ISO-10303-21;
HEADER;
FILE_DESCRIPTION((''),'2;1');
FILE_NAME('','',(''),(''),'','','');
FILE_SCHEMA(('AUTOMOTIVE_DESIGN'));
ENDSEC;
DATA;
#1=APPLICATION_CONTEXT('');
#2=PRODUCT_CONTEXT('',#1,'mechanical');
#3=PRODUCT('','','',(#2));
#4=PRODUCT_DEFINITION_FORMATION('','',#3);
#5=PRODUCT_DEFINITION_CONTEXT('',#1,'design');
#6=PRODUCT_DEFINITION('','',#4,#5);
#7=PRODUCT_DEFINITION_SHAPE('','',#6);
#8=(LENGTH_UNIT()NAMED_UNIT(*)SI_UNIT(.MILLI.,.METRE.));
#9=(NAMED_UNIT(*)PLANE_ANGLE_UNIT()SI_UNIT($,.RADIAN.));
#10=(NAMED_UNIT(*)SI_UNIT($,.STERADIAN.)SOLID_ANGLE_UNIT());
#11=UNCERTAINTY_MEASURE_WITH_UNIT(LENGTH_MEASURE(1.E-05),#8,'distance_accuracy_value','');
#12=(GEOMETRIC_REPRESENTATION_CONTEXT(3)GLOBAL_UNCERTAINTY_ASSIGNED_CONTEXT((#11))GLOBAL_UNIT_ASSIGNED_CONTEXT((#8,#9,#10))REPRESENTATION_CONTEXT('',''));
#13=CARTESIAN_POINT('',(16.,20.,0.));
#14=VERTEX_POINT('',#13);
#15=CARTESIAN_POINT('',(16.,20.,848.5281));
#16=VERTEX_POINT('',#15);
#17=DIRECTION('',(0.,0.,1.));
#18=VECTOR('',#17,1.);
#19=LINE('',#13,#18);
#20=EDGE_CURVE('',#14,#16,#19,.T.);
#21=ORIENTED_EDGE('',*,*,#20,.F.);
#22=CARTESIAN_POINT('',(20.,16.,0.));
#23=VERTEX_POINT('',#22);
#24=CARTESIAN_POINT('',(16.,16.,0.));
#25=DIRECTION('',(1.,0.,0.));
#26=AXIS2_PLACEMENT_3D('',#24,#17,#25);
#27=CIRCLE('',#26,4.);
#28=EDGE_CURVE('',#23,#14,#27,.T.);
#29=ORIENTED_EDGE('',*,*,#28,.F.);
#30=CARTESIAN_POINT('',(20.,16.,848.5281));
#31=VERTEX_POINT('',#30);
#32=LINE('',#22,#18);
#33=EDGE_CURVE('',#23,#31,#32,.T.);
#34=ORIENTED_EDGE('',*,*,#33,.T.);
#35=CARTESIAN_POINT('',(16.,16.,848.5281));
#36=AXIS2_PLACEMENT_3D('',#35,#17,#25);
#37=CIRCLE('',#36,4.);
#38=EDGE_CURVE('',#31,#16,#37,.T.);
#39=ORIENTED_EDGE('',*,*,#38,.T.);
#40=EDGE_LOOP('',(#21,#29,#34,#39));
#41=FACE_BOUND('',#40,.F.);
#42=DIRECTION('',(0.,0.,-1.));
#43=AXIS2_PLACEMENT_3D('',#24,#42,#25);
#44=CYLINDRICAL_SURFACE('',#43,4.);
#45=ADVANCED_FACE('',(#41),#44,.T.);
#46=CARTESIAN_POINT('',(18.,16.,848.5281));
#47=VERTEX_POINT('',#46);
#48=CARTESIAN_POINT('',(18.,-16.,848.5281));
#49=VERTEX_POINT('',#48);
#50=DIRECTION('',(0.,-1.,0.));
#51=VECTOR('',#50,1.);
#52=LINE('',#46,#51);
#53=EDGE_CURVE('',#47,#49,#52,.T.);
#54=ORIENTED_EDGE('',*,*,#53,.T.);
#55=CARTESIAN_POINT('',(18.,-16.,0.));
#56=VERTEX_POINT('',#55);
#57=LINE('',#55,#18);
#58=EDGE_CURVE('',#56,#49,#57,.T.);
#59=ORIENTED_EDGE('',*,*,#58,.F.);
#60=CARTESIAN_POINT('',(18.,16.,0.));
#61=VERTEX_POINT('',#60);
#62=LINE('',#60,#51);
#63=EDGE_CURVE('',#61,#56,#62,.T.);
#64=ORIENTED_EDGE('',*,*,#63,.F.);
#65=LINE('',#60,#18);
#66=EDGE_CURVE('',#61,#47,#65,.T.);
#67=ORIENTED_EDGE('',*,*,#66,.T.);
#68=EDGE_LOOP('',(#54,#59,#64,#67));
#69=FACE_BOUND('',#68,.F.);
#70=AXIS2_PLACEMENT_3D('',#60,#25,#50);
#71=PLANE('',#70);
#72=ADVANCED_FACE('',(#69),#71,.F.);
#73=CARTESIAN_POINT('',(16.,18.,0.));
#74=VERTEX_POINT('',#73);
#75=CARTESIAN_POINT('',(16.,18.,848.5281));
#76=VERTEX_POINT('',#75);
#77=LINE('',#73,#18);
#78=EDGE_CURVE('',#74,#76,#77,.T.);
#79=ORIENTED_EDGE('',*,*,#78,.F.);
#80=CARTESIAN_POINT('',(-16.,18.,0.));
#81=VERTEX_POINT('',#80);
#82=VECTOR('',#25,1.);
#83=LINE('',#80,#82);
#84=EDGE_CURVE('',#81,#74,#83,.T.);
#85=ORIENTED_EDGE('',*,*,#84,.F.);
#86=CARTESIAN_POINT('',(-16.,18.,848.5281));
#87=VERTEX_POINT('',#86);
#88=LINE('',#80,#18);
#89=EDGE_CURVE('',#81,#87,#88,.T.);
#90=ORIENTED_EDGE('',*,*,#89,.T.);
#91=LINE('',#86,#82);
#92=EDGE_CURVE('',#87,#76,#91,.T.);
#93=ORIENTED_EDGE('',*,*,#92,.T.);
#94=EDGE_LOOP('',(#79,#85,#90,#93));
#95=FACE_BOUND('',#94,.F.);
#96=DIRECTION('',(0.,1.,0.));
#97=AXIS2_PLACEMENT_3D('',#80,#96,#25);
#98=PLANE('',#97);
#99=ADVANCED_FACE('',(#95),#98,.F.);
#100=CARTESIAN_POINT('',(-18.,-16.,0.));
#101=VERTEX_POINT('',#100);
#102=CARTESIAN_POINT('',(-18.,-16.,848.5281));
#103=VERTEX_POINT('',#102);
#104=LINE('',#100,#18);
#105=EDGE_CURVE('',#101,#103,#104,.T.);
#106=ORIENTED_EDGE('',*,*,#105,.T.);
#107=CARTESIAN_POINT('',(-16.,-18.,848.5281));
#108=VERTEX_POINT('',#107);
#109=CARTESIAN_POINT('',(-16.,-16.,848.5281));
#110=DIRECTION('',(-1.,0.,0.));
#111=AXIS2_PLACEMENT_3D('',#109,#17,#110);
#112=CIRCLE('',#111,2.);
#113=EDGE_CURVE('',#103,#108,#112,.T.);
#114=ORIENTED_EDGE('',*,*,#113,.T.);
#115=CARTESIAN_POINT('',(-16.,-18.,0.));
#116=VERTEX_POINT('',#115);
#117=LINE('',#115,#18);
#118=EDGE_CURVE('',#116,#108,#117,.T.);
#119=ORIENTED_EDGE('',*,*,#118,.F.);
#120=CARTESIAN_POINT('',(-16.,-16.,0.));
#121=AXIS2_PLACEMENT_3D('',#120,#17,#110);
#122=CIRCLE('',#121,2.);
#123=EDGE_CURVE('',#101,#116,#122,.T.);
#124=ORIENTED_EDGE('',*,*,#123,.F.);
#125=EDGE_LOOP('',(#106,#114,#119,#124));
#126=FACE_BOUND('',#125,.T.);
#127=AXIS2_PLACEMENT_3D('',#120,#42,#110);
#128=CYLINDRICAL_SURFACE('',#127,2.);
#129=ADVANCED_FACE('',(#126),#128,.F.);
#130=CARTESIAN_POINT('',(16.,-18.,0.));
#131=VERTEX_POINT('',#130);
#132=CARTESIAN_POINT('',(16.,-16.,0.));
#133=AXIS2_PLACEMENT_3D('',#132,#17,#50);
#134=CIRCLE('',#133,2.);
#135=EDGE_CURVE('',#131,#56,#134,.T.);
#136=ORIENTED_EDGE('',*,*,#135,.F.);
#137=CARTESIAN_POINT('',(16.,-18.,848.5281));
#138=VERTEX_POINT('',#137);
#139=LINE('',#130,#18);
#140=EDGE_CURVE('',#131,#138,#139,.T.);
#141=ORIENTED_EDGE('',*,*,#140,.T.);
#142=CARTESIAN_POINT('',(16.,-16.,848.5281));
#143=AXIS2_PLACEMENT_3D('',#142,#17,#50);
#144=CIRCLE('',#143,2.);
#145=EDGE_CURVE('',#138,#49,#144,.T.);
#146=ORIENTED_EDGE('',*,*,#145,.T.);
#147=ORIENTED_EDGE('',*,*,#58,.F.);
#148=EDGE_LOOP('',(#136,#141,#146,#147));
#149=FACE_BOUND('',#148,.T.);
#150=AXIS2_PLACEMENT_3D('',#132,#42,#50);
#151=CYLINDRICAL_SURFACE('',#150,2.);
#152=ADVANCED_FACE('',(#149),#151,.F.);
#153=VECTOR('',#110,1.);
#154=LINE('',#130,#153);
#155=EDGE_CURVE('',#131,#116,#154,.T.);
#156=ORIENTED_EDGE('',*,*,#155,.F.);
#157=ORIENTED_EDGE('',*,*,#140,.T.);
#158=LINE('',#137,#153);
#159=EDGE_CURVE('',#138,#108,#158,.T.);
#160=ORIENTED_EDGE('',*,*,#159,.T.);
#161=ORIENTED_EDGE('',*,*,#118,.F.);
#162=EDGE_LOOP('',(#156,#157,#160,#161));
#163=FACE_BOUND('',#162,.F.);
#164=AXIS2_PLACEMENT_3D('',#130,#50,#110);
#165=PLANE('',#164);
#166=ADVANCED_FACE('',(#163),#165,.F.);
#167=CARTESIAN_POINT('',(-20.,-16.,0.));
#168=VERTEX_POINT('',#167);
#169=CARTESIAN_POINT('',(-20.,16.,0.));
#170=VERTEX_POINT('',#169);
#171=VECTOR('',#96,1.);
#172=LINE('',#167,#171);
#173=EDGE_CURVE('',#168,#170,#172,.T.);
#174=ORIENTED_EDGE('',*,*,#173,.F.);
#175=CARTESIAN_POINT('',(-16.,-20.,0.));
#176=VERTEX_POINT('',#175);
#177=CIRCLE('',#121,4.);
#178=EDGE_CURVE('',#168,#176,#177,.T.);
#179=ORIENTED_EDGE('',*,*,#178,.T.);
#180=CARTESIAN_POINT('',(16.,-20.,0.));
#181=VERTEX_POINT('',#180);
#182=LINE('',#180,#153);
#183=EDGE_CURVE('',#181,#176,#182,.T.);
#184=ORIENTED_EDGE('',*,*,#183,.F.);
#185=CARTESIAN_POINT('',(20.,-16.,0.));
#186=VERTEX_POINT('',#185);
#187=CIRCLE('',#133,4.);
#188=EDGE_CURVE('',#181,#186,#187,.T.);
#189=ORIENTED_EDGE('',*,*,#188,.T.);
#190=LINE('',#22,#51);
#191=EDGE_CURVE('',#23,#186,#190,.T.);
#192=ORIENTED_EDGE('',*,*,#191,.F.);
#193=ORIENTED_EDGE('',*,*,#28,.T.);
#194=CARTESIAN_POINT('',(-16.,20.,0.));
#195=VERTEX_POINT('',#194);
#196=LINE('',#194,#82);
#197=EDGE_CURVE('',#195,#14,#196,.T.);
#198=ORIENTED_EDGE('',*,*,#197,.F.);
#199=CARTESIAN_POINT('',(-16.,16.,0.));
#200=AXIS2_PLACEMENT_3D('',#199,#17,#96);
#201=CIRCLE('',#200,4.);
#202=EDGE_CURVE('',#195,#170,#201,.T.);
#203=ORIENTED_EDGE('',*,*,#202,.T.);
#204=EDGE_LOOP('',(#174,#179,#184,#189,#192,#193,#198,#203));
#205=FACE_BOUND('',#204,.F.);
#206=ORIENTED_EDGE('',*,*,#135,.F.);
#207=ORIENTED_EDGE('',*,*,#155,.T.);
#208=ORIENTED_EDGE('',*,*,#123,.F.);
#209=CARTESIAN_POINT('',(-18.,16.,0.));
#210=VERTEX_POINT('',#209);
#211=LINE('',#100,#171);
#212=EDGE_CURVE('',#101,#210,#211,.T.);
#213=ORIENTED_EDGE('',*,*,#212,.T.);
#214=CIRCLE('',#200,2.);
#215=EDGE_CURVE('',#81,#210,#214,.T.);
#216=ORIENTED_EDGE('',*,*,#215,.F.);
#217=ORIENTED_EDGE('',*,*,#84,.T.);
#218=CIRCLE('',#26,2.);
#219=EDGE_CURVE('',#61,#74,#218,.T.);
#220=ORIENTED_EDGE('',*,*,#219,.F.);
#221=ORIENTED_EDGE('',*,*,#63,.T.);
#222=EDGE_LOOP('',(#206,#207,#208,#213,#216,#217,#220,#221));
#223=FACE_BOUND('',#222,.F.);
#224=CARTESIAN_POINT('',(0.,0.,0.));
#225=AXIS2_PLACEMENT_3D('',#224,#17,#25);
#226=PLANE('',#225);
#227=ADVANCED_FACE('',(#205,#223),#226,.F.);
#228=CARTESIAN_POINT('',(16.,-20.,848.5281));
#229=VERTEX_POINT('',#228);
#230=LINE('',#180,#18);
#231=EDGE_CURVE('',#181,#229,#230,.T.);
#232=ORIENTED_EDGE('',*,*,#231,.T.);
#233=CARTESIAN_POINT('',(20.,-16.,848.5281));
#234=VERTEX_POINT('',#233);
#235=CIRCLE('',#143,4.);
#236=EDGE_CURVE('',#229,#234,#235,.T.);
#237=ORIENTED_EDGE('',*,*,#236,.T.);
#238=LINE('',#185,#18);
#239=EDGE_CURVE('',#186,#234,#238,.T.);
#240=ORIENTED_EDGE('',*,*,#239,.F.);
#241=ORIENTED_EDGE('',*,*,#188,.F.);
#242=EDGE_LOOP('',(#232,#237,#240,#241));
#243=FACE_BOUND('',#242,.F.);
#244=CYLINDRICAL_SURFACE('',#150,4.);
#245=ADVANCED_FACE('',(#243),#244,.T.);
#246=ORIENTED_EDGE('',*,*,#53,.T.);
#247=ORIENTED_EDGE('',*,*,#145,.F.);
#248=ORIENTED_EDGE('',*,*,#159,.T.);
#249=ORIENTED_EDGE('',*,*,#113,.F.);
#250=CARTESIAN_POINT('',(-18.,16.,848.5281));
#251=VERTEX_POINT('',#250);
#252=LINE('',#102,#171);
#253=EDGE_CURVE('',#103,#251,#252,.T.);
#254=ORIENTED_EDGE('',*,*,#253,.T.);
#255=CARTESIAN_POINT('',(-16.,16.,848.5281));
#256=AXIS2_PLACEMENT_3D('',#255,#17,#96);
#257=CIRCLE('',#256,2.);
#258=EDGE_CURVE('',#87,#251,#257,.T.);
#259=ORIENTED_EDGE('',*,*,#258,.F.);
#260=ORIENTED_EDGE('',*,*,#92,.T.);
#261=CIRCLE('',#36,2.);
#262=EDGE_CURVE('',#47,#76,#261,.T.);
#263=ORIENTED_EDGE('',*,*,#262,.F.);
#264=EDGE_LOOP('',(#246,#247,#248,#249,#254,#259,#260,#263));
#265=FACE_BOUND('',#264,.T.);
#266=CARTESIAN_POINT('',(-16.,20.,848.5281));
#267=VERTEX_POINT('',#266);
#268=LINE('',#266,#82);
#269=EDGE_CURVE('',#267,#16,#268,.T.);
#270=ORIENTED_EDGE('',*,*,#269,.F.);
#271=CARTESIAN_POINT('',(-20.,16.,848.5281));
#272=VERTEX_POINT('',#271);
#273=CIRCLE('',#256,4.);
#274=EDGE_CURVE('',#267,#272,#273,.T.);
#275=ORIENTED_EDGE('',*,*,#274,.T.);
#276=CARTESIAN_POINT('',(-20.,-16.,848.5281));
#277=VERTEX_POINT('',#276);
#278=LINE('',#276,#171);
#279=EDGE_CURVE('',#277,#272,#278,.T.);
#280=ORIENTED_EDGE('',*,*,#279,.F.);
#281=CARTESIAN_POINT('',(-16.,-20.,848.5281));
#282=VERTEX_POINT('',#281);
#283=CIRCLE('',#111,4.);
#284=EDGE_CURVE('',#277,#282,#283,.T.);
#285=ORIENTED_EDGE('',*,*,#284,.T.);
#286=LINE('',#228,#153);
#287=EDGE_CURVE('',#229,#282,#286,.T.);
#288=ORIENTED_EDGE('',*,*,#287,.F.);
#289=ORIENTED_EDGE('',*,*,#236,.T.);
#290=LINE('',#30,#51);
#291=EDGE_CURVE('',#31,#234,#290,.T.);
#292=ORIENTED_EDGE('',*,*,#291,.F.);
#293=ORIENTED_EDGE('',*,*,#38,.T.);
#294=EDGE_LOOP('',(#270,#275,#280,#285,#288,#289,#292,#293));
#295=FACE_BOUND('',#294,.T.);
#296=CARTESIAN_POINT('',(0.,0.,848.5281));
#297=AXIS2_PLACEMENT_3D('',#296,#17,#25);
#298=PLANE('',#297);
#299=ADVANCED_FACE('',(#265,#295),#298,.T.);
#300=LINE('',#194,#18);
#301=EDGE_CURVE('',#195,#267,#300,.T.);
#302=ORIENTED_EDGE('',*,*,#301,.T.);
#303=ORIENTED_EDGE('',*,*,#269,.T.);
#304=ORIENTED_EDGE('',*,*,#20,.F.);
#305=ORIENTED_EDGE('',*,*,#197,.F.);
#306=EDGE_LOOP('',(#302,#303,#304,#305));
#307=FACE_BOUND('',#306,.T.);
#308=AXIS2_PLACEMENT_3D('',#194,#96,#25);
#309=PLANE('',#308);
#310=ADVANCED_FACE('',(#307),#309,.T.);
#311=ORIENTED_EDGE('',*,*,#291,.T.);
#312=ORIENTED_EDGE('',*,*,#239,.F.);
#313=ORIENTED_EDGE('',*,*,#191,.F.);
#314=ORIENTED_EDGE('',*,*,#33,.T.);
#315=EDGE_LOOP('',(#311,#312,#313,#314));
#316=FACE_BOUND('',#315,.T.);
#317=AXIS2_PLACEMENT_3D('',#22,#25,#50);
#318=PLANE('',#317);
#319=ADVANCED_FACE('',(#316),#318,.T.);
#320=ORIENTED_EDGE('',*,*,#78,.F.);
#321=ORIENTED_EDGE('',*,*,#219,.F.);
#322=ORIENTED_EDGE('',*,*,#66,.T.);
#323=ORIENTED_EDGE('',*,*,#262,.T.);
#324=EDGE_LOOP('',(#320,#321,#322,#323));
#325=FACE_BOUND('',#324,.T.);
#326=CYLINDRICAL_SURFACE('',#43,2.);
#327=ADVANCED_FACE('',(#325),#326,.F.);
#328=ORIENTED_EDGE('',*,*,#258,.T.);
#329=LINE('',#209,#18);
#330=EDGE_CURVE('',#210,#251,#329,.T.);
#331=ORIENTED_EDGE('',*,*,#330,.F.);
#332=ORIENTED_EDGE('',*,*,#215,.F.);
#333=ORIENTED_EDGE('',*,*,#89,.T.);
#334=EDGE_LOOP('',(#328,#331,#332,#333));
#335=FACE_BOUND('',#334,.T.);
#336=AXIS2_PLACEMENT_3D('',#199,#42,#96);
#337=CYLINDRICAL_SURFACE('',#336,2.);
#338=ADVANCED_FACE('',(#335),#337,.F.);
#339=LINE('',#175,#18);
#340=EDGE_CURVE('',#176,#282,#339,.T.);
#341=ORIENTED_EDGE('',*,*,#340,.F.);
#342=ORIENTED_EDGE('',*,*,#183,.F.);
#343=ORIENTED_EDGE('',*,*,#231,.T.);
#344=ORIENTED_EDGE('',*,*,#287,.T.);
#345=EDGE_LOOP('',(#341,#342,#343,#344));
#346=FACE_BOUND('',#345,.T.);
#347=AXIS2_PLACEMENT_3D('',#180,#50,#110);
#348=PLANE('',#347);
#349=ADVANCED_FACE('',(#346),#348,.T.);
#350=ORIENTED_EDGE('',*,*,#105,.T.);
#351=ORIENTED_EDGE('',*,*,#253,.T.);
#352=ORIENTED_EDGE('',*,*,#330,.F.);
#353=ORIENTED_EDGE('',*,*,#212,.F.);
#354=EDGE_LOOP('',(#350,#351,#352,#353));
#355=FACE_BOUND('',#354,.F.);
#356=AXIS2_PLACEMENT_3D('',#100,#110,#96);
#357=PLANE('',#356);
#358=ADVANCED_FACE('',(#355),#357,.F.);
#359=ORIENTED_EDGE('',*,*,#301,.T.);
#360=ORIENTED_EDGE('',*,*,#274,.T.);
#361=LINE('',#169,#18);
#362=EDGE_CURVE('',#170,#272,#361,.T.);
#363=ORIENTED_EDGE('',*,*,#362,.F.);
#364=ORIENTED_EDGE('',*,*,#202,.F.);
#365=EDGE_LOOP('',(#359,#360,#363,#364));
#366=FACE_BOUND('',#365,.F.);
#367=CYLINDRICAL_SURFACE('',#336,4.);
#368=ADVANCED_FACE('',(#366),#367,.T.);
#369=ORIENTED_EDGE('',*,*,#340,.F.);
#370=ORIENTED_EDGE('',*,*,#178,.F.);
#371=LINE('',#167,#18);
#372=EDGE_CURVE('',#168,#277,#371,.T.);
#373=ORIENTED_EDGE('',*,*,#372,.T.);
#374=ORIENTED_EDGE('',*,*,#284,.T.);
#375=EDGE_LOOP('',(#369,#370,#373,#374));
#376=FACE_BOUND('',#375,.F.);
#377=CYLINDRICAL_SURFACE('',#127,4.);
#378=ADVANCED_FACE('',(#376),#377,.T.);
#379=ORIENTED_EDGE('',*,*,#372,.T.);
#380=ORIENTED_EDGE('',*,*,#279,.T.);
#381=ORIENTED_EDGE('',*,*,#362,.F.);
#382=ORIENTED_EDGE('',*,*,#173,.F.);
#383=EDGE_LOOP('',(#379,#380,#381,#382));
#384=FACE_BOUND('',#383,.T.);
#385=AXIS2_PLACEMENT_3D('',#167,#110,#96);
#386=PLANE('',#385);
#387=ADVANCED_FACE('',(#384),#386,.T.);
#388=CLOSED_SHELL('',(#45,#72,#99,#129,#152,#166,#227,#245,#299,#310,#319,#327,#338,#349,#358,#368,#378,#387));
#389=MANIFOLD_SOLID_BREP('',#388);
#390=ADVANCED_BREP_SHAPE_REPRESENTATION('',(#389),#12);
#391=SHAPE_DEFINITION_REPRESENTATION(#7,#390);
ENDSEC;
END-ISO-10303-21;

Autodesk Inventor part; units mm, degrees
ref_plane "YZ Plane" through (0, 0, 0) normal (1, 0, 0) x (0, 1, 0)
ref_plane "Start Plane" through (0, 0, 0) normal (0, 0, 1) x (1, 0, 0)
ref_plane "End Plane" through (0, 0, 848.5281) normal (0, 0, 1) x (1, 0, 0)
sketch "Sketch" plane through (0, 0, 0) normal (0, 0, 1) x (1, 0, 0)
  line L0 (-20, -16) -> (-20, 16)
  line L1 (-16, 20) -> (16, 20)
  line L2 (20, 16) -> (20, -16)
  line L3 (16, -20) -> (-16, -20)
  arc A0 (-20, -16) -> (-16, -20) centre (-16, -16) ccw
  arc A1 (20, 16) -> (16, 20) centre (16, 16) ccw
  arc A2 (-16, 20) -> (-20, 16) centre (-16, 16) ccw
  arc A3 (16, -20) -> (20, -16) centre (16, -16) ccw
  arc A4 (-16, 18) -> (-18, 16) centre (-16, 16) ccw
  line L4 (-16, 18) -> (16, 18)
  arc A5 (18, 16) -> (16, 18) centre (16, 16) ccw
  line L5 (18, 16) -> (18, -16)
  arc A6 (16, -18) -> (18, -16) centre (16, -16) ccw
  line L6 (16, -18) -> (-16, -18)
  arc A7 (-18, -16) -> (-16, -18) centre (-16, -16) ccw
  line L7 (-18, -16) -> (-18, 16)
  line L8 (0, 29.1598) -> (0, -29.1598) construction
  line L9 (-29.1598, 0) -> (29.1598, 0) construction
  dimension "d7" = 4
  dimension "d9" = 40
  dimension "d11" = 40
  dimension "d12" = 2
  dimension "d15" = 20
  dimension "d16" = 20
extrude "Body" add sketch "Sketch" along normal up to surface (848.5281 mm away) from surface at 0
sketch "Sketch3" plane through (0, 0, 0) normal (0, 0, 1) x (1, 0, 0)
  line L0 (0, 0) -> (10, 0)
ref_plane "Work Plane3" through (0, 0, 0) normal (0, -1, 0) x (1, 0, 0)
sketch "Sketch4" plane through (0, 0, 0) normal (0, -1, 0) x (1, 0, 0)
  line L0 (-2, 0) -> (12, 0) projected
  line L1 (-2, 848.5281) -> (12, 848.5281) projected
  dimension "d18" = 848.5281
equation "\"d7\" = G_IR"
equation "\"d9\" = G_W"
equation "\"d11\" = G_H"
equation "\"d12\" = G_T"
equation "\"d15\" = 0.5 * d9"
equation "\"d16\" = 0.5 * d11"
equation "\"d3\" = G_L"
equation "\"G_W\" = 40"
equation "\"G_H\" = 40"
equation "\"G_T\" = 2"
equation "\"G_IR\" = 4"
equation "\"G_L\" = d18"
equation "\"G_OFFSET_START\" = 0"
equation "\"G_OFFSET_END\" = 0"
equation "\"d14\" = G_OFFSET_END + B_L"
equation "\"B_L\" = 848.52814"
properties part number "ISO 10799-2 - 40x40x2 - 848.53" material "Steel, Mild"
